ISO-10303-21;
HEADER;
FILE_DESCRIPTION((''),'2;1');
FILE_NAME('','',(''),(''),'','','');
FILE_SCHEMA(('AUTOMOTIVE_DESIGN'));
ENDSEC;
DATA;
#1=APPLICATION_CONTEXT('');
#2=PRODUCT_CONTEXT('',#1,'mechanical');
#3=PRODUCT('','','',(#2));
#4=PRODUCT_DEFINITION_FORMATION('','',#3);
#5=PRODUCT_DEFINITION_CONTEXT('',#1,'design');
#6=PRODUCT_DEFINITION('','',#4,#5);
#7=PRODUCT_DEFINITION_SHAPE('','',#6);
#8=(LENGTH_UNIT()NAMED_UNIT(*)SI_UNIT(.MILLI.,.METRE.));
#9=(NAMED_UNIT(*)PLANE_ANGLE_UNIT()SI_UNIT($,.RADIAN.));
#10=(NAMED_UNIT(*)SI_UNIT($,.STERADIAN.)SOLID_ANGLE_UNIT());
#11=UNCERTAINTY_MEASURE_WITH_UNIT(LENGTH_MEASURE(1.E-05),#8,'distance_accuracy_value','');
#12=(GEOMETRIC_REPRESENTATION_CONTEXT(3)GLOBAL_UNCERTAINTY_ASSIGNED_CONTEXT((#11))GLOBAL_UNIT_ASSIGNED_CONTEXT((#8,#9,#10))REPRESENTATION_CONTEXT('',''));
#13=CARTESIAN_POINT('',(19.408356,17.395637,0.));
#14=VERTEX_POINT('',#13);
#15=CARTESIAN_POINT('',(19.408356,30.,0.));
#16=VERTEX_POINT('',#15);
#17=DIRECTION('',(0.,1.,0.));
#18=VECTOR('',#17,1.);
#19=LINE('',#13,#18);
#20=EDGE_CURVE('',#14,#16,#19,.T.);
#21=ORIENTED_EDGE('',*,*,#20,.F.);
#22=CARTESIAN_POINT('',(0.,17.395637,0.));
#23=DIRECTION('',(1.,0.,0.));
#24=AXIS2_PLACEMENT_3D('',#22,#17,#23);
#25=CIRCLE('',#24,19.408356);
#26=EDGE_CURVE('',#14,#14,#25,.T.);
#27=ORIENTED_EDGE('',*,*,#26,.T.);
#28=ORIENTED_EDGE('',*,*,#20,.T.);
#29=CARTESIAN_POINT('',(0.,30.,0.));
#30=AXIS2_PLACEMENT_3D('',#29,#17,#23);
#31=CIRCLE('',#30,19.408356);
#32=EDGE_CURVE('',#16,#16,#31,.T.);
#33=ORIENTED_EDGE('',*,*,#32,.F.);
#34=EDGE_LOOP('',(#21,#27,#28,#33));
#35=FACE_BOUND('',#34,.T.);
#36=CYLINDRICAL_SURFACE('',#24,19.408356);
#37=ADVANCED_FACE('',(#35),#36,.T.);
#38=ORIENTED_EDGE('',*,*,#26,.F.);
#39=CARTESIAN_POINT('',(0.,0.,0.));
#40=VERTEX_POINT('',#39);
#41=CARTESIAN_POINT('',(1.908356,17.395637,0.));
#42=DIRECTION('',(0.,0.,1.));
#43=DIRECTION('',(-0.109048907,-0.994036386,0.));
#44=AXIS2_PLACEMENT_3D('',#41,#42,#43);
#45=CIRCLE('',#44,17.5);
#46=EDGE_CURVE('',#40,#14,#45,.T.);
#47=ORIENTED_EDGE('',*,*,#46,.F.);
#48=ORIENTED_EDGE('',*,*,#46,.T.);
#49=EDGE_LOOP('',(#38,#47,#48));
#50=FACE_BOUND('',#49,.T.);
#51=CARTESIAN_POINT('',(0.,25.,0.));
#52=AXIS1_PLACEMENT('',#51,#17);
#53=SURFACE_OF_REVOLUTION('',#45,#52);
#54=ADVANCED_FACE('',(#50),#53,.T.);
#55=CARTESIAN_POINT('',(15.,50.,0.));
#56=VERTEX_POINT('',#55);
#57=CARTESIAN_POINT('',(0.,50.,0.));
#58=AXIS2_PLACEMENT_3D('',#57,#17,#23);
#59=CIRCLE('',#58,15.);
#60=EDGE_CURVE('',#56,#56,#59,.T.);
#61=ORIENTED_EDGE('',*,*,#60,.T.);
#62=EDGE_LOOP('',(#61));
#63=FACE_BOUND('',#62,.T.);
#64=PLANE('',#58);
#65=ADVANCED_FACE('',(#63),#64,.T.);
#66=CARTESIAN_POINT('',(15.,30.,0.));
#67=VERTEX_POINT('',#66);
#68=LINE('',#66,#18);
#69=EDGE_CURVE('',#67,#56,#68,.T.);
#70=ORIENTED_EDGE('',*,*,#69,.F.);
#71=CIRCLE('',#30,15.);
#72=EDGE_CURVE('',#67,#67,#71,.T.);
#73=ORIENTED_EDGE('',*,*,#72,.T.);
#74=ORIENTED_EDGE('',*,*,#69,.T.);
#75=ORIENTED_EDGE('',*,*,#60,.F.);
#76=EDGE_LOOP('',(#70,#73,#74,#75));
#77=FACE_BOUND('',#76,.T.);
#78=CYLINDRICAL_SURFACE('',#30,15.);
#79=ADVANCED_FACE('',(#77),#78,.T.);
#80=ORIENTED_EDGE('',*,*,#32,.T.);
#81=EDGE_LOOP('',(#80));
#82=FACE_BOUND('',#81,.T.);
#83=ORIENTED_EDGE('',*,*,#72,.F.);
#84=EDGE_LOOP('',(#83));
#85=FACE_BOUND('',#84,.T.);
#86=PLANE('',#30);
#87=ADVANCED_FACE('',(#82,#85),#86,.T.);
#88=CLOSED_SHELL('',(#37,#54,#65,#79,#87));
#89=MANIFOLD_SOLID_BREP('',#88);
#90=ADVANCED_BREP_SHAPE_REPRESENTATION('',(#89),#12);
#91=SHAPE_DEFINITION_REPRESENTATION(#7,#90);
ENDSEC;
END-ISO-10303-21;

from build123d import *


with BuildPart() as f1:
    # F0 (on Top) → F1 (revolve)
    with BuildSketch(Plane.XY):
        with BuildLine():
            Line((0, 50), (0, 0))
            ThreePointArc((0, 0), (13.588548, 4.364017), (19.408356, 17.395637))
            Line((19.408356, 17.395637), (19.408356, 30))
            Line((19.408356, 30), (15, 30))
            Line((15, 30), (15, 50))
            Line((15, 50), (0, 50))
        make_face()
    revolve(axis=Axis((0, 25, 0), (0, 1, 0)))


solid = f1.part
